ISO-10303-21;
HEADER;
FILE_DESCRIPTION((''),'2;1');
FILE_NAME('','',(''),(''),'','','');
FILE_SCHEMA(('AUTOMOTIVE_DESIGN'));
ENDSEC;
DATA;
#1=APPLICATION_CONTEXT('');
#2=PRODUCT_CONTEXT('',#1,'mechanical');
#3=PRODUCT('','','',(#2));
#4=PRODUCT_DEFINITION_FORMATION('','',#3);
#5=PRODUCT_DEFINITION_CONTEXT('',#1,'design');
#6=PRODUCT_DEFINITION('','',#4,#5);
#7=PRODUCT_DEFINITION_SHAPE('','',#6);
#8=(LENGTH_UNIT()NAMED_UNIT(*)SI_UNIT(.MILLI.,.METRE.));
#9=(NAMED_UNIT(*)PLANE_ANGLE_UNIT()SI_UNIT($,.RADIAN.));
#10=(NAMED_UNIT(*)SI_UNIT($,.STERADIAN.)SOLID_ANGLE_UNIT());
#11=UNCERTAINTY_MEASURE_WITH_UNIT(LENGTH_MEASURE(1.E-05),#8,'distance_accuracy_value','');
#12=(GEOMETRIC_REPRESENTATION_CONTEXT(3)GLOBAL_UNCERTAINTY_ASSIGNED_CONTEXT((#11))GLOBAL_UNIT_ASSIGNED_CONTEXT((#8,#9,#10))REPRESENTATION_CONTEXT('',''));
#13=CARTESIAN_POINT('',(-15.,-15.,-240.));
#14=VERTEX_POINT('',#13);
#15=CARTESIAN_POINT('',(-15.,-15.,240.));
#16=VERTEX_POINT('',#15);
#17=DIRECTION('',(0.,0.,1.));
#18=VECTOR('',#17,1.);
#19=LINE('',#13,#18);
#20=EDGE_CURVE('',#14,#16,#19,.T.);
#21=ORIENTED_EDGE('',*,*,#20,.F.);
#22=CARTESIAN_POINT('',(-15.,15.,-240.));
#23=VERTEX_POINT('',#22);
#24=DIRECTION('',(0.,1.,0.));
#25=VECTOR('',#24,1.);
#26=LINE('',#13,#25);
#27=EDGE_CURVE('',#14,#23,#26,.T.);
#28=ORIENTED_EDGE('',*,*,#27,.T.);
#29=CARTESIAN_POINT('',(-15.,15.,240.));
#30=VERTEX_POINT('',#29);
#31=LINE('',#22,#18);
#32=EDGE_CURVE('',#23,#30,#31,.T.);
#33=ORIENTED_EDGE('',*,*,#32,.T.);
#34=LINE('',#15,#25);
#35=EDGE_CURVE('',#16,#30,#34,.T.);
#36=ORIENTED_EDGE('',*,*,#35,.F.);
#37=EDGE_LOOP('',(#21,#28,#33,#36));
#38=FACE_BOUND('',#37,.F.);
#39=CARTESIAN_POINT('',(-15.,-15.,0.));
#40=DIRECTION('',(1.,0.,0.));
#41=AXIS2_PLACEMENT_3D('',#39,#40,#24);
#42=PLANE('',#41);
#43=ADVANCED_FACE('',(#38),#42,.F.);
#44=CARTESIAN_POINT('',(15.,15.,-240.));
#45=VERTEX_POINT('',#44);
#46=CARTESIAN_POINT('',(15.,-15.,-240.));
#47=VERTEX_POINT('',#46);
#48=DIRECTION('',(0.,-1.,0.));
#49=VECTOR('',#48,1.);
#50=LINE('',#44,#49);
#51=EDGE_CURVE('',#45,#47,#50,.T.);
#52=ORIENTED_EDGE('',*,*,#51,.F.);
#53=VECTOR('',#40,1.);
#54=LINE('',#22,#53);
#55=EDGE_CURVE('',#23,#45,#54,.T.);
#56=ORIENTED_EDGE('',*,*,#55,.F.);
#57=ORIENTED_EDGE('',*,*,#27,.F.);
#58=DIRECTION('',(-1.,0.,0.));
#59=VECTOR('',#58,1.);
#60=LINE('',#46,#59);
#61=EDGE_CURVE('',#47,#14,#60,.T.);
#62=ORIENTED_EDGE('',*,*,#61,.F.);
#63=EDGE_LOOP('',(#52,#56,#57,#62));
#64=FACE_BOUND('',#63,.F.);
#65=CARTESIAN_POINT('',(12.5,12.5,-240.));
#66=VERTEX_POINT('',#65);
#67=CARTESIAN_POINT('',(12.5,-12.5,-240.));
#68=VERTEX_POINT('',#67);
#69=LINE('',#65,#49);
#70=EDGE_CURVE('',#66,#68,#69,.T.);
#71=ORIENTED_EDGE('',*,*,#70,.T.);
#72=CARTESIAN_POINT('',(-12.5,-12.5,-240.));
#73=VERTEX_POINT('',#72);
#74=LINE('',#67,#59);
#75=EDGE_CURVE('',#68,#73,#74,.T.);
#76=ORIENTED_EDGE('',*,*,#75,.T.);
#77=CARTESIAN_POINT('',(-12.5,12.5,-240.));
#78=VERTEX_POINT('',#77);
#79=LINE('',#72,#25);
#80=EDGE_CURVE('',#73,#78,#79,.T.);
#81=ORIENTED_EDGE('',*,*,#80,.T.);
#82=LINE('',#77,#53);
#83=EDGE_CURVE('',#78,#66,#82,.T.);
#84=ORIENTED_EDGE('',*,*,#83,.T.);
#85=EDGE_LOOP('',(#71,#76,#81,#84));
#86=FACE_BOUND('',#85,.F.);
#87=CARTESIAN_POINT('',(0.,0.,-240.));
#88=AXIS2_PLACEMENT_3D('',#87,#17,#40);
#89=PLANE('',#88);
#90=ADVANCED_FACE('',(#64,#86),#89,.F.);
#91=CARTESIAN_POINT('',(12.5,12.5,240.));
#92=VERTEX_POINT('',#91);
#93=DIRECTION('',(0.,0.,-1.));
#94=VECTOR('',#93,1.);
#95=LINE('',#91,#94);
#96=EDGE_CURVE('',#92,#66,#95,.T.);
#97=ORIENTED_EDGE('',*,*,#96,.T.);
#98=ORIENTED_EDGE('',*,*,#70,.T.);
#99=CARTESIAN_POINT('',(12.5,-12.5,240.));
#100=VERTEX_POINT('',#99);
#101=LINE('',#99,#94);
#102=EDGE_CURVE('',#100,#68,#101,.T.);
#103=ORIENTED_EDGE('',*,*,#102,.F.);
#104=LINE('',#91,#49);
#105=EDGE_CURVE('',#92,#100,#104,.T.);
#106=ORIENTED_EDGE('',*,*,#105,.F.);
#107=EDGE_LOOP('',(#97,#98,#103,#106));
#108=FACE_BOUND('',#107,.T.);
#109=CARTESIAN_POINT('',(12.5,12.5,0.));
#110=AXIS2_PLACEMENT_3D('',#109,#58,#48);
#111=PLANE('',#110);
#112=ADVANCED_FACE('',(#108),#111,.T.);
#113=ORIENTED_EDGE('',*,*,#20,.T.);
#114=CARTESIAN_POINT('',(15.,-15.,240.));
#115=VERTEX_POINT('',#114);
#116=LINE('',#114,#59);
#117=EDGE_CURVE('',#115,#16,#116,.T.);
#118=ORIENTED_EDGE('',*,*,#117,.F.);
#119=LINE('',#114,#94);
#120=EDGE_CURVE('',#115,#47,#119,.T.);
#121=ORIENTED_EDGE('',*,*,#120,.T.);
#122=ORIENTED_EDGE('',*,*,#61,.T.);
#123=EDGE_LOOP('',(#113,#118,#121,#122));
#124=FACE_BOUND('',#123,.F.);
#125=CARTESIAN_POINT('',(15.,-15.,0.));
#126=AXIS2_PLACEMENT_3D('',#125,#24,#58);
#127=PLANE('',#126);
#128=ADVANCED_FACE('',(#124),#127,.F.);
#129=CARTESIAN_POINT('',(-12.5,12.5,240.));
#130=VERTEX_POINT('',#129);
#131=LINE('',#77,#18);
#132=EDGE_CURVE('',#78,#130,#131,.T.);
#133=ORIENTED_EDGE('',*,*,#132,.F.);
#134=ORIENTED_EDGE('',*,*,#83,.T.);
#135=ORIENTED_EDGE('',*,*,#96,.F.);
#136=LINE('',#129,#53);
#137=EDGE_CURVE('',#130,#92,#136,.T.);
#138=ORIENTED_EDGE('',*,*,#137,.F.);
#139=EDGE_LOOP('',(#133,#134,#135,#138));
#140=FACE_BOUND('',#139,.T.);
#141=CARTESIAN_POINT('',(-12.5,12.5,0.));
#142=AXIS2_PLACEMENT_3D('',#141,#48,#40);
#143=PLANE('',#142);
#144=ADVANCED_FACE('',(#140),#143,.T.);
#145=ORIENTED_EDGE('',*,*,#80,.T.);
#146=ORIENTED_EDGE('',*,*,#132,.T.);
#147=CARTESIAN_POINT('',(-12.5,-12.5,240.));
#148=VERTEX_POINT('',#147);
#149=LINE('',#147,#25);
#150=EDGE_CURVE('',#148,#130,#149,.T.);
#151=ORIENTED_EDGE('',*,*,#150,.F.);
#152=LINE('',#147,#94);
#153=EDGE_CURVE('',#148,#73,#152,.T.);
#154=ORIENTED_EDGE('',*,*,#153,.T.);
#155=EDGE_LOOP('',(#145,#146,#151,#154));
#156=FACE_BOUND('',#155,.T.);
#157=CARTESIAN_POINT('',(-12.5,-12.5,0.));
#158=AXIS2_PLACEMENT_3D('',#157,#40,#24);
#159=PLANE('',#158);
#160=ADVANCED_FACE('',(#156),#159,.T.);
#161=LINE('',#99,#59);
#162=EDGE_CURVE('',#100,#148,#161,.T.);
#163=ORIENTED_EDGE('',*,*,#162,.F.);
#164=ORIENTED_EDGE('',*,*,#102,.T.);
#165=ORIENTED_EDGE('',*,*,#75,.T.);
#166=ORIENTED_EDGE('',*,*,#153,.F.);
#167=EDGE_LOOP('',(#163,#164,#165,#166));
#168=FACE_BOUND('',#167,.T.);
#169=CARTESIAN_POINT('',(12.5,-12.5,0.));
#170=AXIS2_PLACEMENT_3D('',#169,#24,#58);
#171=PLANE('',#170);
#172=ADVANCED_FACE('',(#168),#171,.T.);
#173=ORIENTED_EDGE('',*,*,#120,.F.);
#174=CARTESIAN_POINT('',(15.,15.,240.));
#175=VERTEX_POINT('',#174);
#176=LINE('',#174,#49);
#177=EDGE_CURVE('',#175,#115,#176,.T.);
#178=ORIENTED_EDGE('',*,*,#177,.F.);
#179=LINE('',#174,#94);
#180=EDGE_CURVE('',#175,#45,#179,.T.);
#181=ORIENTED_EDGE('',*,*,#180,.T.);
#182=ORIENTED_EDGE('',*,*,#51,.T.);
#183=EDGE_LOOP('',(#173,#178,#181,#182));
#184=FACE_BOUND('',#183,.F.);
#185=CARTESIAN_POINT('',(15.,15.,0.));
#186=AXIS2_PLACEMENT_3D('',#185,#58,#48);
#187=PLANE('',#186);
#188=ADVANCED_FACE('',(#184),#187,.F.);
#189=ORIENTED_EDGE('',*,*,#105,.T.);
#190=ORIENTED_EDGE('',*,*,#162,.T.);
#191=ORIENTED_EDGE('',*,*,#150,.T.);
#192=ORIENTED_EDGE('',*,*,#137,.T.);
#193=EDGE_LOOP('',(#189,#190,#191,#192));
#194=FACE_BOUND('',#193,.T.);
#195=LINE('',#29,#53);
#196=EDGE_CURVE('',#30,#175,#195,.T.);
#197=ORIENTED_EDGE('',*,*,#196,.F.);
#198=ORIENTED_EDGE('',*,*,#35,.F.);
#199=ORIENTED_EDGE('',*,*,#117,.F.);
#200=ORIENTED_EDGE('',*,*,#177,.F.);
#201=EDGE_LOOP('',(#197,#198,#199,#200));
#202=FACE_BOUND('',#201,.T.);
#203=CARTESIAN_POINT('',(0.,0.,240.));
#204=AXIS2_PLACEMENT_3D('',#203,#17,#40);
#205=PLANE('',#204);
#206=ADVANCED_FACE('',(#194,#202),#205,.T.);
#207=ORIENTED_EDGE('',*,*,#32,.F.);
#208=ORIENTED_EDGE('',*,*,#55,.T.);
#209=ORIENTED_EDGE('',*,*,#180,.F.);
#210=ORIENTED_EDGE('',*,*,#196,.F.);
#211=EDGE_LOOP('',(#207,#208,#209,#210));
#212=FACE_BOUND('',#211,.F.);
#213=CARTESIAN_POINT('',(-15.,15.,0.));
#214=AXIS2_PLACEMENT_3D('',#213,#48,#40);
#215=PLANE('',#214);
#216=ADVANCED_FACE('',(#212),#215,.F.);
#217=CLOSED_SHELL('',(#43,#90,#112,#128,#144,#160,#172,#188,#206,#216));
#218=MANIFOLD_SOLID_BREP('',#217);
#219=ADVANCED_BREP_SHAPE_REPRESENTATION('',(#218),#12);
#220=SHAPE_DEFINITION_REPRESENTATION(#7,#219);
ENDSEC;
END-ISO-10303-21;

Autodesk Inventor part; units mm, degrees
ref_plane "YZ Plane" through (0, 0, 0) normal (1, 0, 0) x (0, 1, 0)
ref_plane "XZ Plane" through (0, 0, 0) normal (0, 1, 0) x (-1, 0, 0)
ref_plane "XY Plane" through (0, 0, 0) normal (0, 0, 1) x (1, 0, 0)
sketch "Boceto1" plane through (0, 0, 0) normal (0, 0, 1) x (1, 0, 0)
  line L0 (-15, 15) -> (15, 15)
  line L1 (15, 15) -> (15, -15)
  line L2 (15, -15) -> (-15, -15)
  line L3 (-15, -15) -> (-15, 15)
  line L4 (-15, 15) -> (15, -15) construction
  line L5 (15, 15) -> (-15, -15) construction
  line L6 (-12.5, 12.5) -> (12.5, 12.5)
  line L7 (12.5, 12.5) -> (12.5, -12.5)
  line L8 (12.5, -12.5) -> (-12.5, -12.5)
  line L9 (-12.5, -12.5) -> (-12.5, 12.5)
  line L10 (-12.5, 12.5) -> (12.5, -12.5) construction
  line L11 (12.5, 12.5) -> (-12.5, -12.5) construction
  point P0 (0, 0)
  dimension "d2" = 30
  dimension "d3" = 30
  dimension "d4" = 25
  dimension "d5" = 25
extrude "Extrusión1" add sketch "Boceto1" against normal mid plane 480
properties part number "Barra_480" material "Acero"
